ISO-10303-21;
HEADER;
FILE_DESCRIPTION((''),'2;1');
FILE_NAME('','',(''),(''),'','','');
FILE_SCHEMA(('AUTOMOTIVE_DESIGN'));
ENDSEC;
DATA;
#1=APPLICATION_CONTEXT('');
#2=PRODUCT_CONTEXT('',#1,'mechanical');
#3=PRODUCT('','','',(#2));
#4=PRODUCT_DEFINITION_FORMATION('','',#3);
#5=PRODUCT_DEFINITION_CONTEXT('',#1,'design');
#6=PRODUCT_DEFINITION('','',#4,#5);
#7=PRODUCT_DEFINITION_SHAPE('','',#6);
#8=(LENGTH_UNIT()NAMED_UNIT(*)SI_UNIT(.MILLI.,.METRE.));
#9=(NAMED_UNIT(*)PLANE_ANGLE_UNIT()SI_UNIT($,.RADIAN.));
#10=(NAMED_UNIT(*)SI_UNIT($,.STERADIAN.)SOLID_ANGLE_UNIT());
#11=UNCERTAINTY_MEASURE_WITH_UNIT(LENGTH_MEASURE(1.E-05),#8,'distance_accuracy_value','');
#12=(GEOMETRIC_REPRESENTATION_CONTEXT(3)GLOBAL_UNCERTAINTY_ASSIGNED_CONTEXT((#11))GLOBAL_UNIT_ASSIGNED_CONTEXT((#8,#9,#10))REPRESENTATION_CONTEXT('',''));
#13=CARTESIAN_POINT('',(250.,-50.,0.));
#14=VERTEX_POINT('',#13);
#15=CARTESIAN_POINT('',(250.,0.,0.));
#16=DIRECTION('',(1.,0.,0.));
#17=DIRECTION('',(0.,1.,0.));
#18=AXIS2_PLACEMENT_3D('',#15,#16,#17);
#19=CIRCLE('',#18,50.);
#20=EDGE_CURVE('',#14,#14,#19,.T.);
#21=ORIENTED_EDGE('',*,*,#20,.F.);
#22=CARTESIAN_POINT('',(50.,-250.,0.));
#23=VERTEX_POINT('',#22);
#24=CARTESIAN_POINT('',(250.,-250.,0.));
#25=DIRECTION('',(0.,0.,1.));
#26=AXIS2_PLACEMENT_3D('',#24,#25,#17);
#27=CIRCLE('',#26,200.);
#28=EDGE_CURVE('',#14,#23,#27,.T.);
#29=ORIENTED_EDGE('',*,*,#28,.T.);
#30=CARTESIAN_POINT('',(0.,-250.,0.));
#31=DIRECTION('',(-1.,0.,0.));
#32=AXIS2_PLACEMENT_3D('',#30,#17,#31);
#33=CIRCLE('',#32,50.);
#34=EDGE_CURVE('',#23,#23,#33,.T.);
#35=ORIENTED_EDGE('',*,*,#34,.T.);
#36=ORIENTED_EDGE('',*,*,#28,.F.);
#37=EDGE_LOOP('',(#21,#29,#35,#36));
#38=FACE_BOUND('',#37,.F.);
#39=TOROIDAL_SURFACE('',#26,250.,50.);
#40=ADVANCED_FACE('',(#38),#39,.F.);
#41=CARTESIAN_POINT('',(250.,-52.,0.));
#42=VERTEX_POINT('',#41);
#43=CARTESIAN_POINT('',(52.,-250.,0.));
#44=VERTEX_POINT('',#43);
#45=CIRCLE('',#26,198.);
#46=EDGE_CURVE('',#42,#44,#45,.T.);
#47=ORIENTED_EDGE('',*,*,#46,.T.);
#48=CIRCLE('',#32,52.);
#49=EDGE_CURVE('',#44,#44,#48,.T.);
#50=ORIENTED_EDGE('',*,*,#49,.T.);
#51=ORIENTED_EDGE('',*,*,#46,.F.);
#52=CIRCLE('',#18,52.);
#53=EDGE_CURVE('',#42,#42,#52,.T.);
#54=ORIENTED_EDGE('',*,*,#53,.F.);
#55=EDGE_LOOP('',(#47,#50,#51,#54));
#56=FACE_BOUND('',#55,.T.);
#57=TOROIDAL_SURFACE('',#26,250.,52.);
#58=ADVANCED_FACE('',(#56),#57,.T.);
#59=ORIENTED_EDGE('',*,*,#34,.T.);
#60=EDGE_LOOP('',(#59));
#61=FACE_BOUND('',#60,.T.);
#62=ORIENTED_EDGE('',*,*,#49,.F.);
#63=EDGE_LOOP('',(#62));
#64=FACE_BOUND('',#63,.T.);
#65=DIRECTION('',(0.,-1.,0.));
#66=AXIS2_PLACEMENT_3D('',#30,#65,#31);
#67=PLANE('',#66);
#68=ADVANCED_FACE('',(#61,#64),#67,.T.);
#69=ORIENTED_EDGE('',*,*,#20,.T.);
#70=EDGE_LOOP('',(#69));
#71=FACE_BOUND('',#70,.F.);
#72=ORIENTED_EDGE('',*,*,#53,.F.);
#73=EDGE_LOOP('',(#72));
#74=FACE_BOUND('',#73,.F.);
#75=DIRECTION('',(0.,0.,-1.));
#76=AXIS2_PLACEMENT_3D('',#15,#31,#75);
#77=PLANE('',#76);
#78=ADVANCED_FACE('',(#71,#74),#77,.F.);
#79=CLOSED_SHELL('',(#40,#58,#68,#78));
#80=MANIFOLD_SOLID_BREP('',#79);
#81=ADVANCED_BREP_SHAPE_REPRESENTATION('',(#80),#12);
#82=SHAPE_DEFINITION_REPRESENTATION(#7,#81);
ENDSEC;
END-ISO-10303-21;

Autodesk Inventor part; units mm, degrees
ref_plane "YZ Plane" through (0, 0, 0) normal (1, 0, 0) x (0, 1, 0)
ref_plane "XZ Plane" through (0, 0, 0) normal (0, 1, 0) x (-1, 0, 0)
sketch "Szkic6" plane through (0, 0, 0) normal (0, 0, 1) x (1, 0, 0)
  line L0 (-29.6067, 0) -> (35.2678, 0) construction
  line L1 (0, 42.3419) -> (0, -58.3726) construction
  arc A0 (250, 0) -> (0, -250) centre (250, -250) ccw
  line L2 (0, -250) -> (250, -250) construction
  line L3 (250, -250) -> (250, -184.4669) construction
  line L4 (250, 0) -> (250, 0)
  line L5 (0, -250) -> (0, -250)
  point P0 (0, 0)
  dimension "d24" = 250
  dimension "d31" = 90
  dimension "d36" = 0
  dimension "d37" = 0
ref_plane "Płaszczyzna konstrukcyjna2" through (0, -250, 0) normal (0, -1, 0) x (1, 0, 0)
sketch "Szkic8" plane through (0, -250, 0) normal (0, -1, 0) x (1, 0, 0)
  circle A0 centre (0, 0) radius 52
  circle A1 centre (0, 0) radius 50
  dimension "d32" = 104
  dimension "d33" = 2
sweep "Przeciągnięcie2" add profiles "Szkic8" path "Szkic6"
equation "\"d32\" = OD"
equation "\"d33\" = THK"
equation "\"d24\" = R"
equation "\"d31\" = KAT"
equation "\"SzerokośćGięciaPodcięcia\" = Grubość"
equation "\"RozmiarPodcięciaNarożnika\" = 4 * Grubość"
equation "\"PromieńPrzejścia\" = PromieńGięcia"
equation "\"Rozmiar_promienia_Jacobiego\" = PromieńGięcia"
equation "\"Wielk_odstępu\" = Grubość"
equation "\"d2\" = PromieńGięcia"
equation "\"d23\" = PromieńGięcia"
equation "\"R\" = 250"
equation "\"OD\" = 104"
equation "\"THK\" = 2"
equation "\"KAT\" = 90deg"
equation "\"PROSTKA\" = 0"
equation "\"Grubość\" = 1.5"
equation "\"PromieńGięcia\" = 3"
properties part number "Kolano 90° ø104x2 R250" material "304L"
